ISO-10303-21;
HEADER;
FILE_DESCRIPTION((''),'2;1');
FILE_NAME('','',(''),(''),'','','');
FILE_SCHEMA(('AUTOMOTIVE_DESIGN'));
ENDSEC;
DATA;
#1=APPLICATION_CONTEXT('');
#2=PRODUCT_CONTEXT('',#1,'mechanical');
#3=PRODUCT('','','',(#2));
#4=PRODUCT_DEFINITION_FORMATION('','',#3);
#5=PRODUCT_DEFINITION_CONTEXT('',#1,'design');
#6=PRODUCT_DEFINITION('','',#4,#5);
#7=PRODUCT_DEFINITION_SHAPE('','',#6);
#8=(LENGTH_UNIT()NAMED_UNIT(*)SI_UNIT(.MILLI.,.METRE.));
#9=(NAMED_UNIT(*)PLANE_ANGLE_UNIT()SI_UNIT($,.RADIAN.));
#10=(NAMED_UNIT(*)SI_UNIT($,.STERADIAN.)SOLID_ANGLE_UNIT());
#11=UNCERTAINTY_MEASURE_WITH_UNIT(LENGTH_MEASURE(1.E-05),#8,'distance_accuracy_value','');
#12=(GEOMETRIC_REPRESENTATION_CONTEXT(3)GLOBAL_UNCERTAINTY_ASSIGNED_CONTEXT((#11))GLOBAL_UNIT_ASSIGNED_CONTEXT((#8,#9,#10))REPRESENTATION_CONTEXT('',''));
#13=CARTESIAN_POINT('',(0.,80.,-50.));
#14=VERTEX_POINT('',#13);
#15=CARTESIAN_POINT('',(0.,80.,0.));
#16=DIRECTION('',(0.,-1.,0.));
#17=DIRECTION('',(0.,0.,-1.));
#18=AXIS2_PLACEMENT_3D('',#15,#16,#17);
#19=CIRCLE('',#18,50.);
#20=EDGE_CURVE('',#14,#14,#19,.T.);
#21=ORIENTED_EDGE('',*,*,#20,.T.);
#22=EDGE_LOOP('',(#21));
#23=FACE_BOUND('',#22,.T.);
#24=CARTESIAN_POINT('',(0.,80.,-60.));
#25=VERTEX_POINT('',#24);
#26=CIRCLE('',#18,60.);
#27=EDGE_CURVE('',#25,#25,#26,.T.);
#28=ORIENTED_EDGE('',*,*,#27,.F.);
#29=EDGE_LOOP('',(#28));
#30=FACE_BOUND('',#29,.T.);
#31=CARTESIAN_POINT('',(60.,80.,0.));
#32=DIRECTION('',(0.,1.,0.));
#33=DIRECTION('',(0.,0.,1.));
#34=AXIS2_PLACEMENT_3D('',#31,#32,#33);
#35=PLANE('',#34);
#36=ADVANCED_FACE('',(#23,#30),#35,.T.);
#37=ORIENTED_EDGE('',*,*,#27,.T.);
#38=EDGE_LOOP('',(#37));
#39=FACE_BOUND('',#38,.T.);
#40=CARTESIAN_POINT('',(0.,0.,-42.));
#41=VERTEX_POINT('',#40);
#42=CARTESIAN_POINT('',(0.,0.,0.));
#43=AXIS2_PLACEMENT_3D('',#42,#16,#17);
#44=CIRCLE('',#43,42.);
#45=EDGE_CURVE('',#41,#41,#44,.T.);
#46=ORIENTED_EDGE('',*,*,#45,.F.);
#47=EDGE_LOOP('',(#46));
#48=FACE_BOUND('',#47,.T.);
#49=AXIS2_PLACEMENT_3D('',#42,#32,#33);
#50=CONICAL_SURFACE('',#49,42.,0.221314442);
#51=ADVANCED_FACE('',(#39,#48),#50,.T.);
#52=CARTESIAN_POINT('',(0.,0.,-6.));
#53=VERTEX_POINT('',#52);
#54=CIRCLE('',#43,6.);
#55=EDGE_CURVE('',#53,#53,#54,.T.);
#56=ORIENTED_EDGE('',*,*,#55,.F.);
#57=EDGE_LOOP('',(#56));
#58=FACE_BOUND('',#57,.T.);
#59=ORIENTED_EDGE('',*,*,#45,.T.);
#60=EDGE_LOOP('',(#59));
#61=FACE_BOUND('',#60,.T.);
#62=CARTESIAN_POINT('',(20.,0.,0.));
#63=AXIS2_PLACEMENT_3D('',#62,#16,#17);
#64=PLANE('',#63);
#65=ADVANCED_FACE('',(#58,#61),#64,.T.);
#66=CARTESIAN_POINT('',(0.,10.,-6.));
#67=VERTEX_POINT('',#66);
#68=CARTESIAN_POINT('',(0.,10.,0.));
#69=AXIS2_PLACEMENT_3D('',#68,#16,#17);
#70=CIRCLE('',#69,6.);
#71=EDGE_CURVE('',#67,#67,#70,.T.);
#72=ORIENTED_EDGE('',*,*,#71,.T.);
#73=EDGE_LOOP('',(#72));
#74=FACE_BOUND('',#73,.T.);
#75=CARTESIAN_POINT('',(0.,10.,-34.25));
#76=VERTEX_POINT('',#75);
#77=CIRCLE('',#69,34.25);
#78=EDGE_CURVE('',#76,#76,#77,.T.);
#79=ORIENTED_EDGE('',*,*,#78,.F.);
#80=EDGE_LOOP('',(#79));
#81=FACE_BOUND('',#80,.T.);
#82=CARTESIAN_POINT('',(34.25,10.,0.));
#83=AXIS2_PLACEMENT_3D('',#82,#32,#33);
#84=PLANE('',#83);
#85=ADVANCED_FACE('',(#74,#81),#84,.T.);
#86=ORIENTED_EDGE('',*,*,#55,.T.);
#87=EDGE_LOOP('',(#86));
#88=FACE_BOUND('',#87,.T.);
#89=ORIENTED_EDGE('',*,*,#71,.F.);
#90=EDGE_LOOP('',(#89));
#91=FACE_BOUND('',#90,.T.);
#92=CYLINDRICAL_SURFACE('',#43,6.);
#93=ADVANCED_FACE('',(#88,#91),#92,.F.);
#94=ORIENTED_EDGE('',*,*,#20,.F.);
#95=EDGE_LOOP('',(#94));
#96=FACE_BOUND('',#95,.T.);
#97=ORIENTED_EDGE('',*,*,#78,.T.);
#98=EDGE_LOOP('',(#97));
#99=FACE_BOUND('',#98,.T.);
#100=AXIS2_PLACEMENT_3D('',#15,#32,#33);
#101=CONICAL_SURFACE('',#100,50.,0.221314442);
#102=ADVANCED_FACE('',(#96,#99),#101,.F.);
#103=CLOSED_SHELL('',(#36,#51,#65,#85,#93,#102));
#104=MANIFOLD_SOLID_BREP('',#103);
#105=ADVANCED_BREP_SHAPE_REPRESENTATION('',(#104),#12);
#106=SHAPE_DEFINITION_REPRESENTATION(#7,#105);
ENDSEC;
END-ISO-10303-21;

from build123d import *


with BuildPart() as part:
    # Sketch1 → Revolve2 (revolve)
    with BuildSketch(Plane.XY, mode=Mode.PRIVATE) as revolve2_sk:
        Polygon((20, 0), (42, 0), (60, 80), (50, 80), (34.25, 10), (20, 10), (6, 10), (6, 0), align=None)
    revolve(revolve2_sk.sketch.rotate(Axis((0, 0, 0), (0, 1, 0)), 90), axis=Axis((0, 0, 0), (0, 1, 0)))


solid = part.part
